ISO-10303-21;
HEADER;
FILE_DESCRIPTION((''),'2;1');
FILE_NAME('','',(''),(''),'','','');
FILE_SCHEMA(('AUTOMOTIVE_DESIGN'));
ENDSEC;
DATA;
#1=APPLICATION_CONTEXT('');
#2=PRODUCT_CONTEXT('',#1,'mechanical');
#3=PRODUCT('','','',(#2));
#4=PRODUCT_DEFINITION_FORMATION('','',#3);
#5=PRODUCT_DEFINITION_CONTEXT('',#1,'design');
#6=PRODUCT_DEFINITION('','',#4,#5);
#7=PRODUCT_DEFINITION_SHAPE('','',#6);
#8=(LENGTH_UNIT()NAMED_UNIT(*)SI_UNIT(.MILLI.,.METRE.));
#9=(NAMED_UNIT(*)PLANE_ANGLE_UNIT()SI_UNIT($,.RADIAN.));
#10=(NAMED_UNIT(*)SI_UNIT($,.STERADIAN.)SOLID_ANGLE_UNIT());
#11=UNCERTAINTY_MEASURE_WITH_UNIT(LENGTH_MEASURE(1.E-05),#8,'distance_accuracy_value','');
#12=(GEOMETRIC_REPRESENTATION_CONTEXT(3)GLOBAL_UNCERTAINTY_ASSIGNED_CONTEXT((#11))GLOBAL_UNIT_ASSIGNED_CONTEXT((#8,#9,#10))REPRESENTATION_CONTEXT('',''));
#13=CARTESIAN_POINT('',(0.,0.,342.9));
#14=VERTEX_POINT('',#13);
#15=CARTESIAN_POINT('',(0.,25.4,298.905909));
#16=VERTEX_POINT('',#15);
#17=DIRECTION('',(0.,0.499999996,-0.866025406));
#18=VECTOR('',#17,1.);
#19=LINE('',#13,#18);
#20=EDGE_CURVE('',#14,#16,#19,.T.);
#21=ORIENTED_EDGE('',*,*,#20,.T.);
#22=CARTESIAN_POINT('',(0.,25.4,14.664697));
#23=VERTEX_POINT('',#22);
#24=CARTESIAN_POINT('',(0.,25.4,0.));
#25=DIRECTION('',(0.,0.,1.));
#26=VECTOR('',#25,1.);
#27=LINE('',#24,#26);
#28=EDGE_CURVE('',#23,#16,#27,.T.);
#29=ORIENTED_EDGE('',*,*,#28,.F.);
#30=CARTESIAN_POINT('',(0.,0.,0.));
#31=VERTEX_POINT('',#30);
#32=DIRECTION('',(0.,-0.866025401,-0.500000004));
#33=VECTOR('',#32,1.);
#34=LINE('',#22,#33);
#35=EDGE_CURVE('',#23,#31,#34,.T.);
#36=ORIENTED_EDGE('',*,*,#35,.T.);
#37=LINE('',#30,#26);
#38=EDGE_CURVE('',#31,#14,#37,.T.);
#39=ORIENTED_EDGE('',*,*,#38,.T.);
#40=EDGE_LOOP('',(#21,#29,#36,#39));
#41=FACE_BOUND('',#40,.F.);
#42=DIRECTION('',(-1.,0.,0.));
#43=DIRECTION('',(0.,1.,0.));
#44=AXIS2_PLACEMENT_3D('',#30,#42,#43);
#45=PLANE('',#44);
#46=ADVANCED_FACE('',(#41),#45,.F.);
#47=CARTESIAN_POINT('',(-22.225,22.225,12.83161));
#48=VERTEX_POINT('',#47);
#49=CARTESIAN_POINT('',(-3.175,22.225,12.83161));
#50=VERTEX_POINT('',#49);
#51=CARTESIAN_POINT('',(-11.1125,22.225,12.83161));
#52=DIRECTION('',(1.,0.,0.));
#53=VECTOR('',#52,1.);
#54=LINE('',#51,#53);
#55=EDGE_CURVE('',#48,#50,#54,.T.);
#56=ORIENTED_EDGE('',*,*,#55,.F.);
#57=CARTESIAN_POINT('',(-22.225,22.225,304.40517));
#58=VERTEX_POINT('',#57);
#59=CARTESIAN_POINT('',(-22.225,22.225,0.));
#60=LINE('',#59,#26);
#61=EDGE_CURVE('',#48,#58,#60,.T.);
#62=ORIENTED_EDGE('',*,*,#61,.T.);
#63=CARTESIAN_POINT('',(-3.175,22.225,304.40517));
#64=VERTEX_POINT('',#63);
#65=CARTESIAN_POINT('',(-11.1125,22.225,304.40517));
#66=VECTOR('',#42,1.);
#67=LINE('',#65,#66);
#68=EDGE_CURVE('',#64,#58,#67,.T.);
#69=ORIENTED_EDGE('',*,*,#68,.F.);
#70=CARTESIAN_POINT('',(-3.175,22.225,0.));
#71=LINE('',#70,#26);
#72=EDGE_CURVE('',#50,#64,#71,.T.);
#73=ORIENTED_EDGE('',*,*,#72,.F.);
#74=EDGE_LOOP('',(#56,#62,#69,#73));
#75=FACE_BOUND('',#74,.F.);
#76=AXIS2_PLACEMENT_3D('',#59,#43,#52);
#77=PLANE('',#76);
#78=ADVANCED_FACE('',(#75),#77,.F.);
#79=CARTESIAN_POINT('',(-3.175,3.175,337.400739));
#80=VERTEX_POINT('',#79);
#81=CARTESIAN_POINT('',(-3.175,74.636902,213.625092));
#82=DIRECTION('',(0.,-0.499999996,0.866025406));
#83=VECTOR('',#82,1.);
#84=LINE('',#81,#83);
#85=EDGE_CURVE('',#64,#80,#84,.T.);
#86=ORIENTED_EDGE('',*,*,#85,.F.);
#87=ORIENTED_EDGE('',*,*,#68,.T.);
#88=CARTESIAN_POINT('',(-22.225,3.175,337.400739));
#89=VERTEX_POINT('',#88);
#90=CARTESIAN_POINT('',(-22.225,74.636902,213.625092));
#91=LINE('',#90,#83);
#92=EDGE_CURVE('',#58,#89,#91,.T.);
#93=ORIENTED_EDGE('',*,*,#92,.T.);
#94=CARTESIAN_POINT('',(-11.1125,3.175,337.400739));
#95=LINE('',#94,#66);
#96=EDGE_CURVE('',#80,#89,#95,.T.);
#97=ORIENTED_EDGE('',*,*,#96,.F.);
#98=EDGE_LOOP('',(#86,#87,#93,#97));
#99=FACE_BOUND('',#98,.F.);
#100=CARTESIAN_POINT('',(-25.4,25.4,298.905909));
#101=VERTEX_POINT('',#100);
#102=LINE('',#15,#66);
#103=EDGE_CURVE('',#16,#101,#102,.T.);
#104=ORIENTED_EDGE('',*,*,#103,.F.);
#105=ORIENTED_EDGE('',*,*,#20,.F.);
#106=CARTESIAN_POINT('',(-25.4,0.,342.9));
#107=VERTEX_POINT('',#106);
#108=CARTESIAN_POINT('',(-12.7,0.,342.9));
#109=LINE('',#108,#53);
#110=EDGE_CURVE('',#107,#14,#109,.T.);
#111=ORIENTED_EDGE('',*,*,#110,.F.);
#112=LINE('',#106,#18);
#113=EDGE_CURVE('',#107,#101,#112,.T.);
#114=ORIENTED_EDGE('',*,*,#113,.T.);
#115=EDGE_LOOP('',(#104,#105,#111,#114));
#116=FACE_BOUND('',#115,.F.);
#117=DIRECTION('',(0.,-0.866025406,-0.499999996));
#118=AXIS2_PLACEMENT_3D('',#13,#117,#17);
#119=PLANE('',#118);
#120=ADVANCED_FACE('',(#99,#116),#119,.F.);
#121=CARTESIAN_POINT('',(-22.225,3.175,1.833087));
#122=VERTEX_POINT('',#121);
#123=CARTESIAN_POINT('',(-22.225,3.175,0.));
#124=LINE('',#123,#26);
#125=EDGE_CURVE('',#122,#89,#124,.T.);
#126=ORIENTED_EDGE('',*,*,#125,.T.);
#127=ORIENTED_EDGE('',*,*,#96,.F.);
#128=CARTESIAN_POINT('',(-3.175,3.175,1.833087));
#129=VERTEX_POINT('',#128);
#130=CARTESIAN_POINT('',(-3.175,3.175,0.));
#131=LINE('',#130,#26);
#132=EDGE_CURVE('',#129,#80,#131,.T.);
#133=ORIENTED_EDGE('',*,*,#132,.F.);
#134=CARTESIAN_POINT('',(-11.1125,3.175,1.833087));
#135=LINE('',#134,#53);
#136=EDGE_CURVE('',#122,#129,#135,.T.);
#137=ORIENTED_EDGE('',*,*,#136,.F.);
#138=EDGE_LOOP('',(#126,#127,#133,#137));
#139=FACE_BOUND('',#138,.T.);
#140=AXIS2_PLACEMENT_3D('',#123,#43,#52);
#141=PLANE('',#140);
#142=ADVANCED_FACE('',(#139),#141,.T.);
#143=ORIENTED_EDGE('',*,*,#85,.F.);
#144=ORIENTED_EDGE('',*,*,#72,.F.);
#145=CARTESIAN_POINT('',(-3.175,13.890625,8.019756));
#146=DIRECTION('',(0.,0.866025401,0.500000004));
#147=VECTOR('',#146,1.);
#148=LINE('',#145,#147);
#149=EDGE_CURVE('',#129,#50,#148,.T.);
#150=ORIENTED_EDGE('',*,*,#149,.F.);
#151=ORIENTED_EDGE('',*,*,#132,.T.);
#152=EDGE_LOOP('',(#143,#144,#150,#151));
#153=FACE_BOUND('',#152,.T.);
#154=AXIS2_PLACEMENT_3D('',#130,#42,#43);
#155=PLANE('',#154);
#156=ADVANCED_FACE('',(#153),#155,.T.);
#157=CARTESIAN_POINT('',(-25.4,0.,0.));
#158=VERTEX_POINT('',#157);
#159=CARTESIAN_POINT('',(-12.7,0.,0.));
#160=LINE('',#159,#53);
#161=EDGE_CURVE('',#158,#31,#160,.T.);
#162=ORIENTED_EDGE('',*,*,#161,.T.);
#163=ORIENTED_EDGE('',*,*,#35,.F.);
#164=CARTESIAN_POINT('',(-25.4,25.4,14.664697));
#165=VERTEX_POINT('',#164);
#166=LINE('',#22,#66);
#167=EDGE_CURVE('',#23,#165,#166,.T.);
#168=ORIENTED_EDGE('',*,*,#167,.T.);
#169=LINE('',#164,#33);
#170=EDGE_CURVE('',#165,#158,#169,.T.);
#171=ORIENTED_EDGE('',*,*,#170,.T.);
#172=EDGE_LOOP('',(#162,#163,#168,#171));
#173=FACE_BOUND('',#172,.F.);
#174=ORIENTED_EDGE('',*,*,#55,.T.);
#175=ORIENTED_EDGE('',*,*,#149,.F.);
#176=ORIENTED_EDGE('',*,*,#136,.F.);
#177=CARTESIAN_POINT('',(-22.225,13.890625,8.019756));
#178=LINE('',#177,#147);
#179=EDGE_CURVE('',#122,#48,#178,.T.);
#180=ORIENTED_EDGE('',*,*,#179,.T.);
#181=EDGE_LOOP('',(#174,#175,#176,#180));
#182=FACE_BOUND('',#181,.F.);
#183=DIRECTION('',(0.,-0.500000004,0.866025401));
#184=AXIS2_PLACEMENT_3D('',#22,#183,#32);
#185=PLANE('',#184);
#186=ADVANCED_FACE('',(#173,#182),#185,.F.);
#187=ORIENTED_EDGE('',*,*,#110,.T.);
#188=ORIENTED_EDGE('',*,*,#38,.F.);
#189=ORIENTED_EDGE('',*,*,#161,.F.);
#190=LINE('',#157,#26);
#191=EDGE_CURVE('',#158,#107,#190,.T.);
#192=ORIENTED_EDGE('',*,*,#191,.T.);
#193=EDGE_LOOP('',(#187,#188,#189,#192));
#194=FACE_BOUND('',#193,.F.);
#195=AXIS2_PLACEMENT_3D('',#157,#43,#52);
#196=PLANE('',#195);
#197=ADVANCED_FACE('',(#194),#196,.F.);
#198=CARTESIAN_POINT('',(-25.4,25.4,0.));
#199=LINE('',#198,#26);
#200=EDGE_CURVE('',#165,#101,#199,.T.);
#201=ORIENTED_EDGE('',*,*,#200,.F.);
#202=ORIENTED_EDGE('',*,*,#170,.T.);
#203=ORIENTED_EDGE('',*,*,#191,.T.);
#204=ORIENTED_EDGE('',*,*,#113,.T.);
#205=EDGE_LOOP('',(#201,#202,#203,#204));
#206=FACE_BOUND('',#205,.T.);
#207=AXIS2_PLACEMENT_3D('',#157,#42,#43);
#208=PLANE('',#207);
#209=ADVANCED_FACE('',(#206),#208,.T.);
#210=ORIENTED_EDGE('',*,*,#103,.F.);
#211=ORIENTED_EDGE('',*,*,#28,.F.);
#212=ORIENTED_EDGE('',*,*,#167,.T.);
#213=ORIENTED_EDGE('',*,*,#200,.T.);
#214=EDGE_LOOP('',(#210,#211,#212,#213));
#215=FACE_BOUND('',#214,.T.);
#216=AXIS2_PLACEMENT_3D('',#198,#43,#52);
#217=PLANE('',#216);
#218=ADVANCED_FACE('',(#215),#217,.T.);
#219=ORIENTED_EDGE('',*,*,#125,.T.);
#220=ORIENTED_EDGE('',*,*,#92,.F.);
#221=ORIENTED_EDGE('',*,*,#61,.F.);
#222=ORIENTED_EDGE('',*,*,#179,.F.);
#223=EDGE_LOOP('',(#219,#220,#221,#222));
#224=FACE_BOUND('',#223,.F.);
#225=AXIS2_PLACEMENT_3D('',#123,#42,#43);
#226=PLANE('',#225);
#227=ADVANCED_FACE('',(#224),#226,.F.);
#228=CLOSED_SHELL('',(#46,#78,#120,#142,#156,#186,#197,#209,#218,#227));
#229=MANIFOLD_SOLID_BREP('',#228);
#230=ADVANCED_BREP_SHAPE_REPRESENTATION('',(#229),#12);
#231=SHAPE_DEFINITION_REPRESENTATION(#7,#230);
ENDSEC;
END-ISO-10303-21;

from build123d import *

# Parameters (mm, degrees)
F0_W     = 25.4
F0_H     = 25.4
F0_W_2   = 19.05
F0_H_2   = 19.05
F1_DEPTH = 342.9
F3_DEPTH = 25.4


with BuildPart() as f1:
    # F0 (on Top) → F1 (new body)
    with BuildSketch(Plane.XY):
        with Locations((-12.7, 12.7)):
            Rectangle(F0_W, F0_H)
        with Locations((-12.7, 12.7)):
            Rectangle(F0_W_2, F0_H_2, mode=Mode.SUBTRACT)
    extrude(amount=F1_DEPTH)

    # F2 (on face) → F3 (cut)
    with BuildSketch(Plane.YZ):
        Polygon((25.4, 342.9), (0, 342.9), (25.4, 298.905909), align=None)
        Polygon((25.4, 14.664697), (0, 0), (25.4, 0), align=None)
    extrude(amount=-F3_DEPTH, mode=Mode.SUBTRACT)


solid = f1.part
